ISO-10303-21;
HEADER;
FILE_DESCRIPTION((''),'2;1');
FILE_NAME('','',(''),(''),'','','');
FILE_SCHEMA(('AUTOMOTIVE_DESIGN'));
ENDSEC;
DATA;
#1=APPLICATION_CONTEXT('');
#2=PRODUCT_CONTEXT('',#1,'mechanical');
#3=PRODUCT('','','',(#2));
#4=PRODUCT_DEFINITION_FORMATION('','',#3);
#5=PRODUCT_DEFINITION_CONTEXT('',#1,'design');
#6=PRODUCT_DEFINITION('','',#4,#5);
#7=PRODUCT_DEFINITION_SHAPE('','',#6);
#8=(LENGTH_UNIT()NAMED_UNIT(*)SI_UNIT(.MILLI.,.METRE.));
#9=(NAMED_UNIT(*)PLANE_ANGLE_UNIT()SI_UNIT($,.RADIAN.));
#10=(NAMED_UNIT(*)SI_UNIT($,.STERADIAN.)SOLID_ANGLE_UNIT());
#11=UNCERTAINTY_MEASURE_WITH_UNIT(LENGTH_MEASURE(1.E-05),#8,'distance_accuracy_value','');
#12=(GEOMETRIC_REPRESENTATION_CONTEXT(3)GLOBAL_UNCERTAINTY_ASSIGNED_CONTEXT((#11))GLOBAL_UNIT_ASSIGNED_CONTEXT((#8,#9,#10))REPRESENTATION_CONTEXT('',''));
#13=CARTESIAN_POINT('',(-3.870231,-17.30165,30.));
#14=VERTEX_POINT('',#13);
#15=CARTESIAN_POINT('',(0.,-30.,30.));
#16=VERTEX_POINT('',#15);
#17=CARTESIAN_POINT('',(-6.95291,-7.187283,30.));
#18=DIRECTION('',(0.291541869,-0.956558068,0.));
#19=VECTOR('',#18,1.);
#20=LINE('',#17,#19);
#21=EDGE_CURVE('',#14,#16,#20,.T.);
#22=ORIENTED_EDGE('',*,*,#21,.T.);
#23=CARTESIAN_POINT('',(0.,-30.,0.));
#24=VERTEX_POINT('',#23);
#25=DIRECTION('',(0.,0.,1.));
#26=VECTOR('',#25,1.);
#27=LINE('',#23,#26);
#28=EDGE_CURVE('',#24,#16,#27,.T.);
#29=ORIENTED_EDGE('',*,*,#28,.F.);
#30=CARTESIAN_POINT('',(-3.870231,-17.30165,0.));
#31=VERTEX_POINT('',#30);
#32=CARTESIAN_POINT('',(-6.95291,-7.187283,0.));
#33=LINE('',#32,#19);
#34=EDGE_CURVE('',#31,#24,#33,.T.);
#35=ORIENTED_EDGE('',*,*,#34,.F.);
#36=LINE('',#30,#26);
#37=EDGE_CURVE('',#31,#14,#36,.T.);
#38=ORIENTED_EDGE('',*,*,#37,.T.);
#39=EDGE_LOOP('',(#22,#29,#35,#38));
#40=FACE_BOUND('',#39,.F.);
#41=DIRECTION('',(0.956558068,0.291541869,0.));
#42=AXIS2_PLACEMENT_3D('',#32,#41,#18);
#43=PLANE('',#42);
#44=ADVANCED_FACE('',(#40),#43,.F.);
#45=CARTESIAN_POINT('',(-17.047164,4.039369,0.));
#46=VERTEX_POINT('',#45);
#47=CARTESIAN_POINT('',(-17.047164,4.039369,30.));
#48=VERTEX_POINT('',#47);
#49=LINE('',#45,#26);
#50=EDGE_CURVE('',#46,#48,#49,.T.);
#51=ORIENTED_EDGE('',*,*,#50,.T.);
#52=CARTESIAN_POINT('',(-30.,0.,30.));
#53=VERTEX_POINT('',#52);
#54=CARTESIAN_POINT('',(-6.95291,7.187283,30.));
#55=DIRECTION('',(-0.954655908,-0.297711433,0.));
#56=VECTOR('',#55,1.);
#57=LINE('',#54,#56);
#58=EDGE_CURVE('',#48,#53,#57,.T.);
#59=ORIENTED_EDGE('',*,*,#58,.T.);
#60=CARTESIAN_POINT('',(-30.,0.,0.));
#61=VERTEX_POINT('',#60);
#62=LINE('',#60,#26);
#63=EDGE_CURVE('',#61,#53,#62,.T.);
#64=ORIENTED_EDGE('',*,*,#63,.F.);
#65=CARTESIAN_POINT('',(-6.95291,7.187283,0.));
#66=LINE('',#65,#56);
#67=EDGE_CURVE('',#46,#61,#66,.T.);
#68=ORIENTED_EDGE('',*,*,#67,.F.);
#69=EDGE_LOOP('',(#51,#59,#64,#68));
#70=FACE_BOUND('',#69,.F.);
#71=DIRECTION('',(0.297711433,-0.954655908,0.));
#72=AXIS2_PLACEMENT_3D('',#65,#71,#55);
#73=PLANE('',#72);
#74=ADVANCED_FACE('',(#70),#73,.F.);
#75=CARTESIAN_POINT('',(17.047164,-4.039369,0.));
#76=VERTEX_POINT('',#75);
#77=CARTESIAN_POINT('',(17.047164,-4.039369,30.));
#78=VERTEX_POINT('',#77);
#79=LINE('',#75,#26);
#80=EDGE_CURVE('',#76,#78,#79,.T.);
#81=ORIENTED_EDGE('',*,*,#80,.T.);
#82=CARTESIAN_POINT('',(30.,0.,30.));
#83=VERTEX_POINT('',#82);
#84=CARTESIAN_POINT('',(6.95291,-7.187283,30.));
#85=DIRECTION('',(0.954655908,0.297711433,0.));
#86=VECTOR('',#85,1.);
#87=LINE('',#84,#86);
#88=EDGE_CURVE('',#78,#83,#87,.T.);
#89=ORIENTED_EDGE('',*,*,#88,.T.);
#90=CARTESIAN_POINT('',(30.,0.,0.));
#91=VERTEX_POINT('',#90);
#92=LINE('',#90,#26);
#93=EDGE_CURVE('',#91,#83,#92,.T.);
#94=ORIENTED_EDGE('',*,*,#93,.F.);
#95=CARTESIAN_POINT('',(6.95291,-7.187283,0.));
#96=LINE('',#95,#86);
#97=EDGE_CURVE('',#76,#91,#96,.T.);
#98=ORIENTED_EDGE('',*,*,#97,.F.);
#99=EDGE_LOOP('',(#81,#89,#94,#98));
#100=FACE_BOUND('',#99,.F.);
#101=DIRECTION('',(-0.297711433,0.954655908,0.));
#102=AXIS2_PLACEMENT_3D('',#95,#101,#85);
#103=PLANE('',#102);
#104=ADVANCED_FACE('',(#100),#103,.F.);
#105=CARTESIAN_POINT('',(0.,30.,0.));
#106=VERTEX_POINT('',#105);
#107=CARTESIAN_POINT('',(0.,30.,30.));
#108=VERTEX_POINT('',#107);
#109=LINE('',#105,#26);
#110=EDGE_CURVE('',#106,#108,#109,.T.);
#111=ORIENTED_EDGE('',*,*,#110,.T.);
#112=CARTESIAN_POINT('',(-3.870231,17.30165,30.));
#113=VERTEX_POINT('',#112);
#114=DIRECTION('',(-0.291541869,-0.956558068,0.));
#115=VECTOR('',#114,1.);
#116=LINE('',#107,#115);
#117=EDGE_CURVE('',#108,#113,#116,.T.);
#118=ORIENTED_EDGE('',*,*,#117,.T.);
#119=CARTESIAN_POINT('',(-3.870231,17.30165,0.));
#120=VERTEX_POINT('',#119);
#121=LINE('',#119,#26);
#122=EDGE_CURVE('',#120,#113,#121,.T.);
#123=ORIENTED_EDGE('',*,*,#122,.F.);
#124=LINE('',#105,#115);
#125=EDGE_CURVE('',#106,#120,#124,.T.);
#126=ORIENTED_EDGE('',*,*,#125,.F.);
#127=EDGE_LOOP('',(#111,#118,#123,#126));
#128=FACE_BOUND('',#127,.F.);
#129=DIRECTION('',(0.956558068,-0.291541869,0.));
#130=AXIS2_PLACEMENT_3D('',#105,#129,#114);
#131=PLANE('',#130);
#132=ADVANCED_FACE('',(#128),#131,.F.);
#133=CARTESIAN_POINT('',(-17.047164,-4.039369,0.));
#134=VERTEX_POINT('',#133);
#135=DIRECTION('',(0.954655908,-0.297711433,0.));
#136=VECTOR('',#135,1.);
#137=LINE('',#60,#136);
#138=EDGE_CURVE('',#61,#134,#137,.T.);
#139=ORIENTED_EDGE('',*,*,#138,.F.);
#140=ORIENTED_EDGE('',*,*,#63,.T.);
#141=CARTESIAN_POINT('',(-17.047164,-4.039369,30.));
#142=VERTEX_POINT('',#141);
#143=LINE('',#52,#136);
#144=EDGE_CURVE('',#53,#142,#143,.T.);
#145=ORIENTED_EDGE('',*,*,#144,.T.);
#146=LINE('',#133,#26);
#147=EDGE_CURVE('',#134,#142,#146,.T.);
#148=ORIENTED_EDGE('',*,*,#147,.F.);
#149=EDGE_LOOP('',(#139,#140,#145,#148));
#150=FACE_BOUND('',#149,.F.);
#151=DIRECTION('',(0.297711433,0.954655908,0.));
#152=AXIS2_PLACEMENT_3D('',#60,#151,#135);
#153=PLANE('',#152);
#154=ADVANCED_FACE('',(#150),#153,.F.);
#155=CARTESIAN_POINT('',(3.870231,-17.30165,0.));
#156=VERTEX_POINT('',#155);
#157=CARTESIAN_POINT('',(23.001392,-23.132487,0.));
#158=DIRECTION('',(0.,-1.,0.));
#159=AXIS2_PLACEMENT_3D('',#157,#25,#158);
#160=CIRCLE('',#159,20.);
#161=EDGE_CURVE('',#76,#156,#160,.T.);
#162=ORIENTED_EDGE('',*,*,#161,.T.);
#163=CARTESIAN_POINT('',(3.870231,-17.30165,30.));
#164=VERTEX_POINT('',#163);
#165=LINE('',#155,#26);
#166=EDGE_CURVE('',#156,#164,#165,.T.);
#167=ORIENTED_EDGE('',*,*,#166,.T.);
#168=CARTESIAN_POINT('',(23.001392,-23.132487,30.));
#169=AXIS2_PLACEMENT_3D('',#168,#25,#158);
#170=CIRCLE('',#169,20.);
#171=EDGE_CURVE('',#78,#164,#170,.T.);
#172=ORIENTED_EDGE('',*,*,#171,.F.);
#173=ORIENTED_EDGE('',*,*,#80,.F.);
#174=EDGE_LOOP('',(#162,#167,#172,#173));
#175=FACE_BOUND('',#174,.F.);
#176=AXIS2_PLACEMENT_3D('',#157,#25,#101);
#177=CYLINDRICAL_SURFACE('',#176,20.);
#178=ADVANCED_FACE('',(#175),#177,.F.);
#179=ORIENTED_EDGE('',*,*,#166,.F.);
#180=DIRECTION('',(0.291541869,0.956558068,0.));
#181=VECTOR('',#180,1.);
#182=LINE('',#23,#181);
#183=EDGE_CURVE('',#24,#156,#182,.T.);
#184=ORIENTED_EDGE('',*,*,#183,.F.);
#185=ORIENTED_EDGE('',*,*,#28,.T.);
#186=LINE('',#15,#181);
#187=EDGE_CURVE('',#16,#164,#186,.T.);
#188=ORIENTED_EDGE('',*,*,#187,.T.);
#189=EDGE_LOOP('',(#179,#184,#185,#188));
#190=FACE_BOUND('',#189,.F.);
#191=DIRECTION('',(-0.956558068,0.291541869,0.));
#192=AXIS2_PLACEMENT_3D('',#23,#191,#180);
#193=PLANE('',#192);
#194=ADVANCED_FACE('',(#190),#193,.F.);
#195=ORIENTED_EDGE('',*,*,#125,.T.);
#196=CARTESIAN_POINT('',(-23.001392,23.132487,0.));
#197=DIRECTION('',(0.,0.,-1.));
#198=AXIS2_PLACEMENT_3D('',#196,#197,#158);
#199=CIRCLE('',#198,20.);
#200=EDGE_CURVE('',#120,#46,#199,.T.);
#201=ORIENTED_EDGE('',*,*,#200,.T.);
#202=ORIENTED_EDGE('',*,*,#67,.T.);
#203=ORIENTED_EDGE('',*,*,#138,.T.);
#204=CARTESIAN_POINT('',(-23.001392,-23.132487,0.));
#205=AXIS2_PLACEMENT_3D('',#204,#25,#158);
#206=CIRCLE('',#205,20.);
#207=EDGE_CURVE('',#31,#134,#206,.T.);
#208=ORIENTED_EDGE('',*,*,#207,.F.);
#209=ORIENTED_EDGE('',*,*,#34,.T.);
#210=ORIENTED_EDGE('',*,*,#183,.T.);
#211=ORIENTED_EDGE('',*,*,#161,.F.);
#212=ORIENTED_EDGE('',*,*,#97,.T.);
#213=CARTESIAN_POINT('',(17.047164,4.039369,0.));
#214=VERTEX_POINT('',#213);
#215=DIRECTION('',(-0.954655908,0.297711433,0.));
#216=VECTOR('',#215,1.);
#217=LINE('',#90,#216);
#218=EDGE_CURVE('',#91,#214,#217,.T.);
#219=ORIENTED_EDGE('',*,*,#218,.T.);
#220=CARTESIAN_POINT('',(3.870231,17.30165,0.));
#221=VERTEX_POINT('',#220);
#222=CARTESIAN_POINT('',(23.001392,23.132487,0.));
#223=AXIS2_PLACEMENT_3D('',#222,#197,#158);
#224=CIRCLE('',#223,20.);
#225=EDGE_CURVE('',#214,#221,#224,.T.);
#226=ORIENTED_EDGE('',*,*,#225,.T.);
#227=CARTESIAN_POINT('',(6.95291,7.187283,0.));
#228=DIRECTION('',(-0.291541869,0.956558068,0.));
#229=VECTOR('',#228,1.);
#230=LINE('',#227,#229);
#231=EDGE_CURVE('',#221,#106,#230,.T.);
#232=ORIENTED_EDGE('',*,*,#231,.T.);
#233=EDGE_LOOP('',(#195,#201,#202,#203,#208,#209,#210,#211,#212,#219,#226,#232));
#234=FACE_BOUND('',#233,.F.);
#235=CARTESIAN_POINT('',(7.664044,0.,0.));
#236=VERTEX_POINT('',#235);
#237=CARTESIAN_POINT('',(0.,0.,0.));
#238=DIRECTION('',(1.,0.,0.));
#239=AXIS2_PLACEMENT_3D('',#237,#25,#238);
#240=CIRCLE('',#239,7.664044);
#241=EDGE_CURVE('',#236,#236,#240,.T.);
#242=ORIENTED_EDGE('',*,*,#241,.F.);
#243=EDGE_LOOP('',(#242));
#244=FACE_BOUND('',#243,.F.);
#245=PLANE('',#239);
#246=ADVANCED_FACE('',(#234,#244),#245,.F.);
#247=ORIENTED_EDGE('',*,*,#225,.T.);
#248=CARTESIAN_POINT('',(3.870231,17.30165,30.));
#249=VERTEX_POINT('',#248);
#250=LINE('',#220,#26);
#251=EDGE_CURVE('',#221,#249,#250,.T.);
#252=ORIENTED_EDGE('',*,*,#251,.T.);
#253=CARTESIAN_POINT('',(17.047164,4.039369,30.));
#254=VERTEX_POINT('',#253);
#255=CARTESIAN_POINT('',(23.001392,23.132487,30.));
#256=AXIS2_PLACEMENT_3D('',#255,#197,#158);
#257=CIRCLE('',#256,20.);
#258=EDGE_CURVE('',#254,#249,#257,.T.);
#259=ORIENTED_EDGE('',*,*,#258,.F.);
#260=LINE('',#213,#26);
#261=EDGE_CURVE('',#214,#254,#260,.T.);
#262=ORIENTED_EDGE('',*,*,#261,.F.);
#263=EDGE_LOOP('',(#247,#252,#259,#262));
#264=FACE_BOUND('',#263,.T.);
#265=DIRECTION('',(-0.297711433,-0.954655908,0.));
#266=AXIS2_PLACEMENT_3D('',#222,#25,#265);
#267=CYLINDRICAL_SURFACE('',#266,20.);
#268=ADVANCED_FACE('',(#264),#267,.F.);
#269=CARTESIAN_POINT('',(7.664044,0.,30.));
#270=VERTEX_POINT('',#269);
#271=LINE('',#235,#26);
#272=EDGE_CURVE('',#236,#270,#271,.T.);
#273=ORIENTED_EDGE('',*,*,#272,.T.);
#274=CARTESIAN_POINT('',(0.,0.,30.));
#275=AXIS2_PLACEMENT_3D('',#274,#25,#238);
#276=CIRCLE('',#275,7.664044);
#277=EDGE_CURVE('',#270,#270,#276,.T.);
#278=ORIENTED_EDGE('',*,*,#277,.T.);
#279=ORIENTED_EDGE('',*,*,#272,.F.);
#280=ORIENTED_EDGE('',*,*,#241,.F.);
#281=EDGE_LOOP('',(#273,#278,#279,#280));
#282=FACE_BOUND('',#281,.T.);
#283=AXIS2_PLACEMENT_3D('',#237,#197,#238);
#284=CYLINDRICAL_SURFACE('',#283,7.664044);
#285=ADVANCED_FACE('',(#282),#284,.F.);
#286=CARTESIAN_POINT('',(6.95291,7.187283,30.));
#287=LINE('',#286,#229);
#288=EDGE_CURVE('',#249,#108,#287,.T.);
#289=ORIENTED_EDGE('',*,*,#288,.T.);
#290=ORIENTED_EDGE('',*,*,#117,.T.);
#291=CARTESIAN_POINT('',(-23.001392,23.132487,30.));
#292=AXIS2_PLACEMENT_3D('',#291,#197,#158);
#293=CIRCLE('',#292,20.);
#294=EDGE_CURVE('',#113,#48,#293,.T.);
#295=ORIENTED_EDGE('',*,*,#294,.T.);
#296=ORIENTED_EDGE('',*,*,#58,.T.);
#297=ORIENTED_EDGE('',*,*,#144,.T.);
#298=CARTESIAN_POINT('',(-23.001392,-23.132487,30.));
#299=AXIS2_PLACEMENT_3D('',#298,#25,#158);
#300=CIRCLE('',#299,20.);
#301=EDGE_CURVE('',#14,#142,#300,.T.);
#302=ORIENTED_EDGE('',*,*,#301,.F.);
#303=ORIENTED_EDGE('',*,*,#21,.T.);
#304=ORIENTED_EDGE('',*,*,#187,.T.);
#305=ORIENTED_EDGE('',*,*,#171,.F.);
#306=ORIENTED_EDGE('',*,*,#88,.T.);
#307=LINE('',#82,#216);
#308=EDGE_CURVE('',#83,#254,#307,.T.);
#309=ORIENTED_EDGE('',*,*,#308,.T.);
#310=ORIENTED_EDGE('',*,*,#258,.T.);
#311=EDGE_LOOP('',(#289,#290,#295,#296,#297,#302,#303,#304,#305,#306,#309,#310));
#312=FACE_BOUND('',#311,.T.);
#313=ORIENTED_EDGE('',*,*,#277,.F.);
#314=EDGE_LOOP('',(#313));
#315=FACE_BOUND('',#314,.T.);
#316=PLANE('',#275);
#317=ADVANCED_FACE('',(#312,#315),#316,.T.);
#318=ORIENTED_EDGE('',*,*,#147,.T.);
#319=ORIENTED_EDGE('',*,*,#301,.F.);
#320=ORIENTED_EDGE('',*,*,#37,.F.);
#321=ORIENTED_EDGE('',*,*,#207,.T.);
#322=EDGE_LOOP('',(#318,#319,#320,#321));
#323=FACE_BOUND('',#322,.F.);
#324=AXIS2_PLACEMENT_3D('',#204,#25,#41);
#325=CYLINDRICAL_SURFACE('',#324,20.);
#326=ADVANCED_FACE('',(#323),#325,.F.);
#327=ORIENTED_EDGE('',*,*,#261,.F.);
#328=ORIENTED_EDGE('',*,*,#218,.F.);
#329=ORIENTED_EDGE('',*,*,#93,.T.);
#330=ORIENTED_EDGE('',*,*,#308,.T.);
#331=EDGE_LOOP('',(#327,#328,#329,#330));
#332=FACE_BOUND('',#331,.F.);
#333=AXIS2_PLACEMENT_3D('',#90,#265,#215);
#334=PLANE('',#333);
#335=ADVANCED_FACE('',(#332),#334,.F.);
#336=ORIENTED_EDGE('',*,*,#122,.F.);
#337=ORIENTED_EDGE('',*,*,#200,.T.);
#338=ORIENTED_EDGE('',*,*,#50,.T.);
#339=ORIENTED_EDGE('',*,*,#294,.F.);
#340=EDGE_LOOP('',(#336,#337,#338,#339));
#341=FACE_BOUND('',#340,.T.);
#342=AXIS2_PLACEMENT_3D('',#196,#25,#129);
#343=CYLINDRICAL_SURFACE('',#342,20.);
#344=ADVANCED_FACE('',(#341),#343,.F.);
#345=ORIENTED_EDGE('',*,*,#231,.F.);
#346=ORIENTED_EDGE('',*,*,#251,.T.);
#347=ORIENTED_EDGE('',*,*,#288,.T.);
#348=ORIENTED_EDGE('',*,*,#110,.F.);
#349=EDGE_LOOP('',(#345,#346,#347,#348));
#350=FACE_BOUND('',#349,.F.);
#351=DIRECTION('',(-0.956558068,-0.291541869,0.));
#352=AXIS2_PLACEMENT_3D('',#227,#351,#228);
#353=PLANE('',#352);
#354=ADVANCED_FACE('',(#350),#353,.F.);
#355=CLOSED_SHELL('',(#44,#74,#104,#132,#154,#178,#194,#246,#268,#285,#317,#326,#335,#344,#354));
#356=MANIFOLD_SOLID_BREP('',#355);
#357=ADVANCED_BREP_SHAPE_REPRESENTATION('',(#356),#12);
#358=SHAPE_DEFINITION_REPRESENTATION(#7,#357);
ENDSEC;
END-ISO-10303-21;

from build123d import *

# Parameters (mm, degrees)
F0_R     = 7.664044
F1_DEPTH = 30
F2_R     = 20


with BuildPart() as f1:
    # F0 (on Top) → F1 (new body)
    with BuildSketch(Plane.XY):
        Polygon((30, 0), (6.95291, 7.187283), (0, 30), (-6.95291, 7.187283), (-30, 0), (-6.95291, -7.187283), (0, -30), (6.95291, -7.187283), align=None)
        Circle(F0_R, mode=Mode.SUBTRACT)
    extrude(amount=F1_DEPTH)

    # F2
    f2_edges = [f1.edges().sort_by_distance(p)[0] for p in [
        (-6.95291, -7.187283, 15),
        (6.95291, -7.187283, 15),
        (6.95291, 7.187283, 15),
        (-6.95291, 7.187283, 15),
    ]]
    fillet(f2_edges, radius=F2_R)


solid = f1.part
